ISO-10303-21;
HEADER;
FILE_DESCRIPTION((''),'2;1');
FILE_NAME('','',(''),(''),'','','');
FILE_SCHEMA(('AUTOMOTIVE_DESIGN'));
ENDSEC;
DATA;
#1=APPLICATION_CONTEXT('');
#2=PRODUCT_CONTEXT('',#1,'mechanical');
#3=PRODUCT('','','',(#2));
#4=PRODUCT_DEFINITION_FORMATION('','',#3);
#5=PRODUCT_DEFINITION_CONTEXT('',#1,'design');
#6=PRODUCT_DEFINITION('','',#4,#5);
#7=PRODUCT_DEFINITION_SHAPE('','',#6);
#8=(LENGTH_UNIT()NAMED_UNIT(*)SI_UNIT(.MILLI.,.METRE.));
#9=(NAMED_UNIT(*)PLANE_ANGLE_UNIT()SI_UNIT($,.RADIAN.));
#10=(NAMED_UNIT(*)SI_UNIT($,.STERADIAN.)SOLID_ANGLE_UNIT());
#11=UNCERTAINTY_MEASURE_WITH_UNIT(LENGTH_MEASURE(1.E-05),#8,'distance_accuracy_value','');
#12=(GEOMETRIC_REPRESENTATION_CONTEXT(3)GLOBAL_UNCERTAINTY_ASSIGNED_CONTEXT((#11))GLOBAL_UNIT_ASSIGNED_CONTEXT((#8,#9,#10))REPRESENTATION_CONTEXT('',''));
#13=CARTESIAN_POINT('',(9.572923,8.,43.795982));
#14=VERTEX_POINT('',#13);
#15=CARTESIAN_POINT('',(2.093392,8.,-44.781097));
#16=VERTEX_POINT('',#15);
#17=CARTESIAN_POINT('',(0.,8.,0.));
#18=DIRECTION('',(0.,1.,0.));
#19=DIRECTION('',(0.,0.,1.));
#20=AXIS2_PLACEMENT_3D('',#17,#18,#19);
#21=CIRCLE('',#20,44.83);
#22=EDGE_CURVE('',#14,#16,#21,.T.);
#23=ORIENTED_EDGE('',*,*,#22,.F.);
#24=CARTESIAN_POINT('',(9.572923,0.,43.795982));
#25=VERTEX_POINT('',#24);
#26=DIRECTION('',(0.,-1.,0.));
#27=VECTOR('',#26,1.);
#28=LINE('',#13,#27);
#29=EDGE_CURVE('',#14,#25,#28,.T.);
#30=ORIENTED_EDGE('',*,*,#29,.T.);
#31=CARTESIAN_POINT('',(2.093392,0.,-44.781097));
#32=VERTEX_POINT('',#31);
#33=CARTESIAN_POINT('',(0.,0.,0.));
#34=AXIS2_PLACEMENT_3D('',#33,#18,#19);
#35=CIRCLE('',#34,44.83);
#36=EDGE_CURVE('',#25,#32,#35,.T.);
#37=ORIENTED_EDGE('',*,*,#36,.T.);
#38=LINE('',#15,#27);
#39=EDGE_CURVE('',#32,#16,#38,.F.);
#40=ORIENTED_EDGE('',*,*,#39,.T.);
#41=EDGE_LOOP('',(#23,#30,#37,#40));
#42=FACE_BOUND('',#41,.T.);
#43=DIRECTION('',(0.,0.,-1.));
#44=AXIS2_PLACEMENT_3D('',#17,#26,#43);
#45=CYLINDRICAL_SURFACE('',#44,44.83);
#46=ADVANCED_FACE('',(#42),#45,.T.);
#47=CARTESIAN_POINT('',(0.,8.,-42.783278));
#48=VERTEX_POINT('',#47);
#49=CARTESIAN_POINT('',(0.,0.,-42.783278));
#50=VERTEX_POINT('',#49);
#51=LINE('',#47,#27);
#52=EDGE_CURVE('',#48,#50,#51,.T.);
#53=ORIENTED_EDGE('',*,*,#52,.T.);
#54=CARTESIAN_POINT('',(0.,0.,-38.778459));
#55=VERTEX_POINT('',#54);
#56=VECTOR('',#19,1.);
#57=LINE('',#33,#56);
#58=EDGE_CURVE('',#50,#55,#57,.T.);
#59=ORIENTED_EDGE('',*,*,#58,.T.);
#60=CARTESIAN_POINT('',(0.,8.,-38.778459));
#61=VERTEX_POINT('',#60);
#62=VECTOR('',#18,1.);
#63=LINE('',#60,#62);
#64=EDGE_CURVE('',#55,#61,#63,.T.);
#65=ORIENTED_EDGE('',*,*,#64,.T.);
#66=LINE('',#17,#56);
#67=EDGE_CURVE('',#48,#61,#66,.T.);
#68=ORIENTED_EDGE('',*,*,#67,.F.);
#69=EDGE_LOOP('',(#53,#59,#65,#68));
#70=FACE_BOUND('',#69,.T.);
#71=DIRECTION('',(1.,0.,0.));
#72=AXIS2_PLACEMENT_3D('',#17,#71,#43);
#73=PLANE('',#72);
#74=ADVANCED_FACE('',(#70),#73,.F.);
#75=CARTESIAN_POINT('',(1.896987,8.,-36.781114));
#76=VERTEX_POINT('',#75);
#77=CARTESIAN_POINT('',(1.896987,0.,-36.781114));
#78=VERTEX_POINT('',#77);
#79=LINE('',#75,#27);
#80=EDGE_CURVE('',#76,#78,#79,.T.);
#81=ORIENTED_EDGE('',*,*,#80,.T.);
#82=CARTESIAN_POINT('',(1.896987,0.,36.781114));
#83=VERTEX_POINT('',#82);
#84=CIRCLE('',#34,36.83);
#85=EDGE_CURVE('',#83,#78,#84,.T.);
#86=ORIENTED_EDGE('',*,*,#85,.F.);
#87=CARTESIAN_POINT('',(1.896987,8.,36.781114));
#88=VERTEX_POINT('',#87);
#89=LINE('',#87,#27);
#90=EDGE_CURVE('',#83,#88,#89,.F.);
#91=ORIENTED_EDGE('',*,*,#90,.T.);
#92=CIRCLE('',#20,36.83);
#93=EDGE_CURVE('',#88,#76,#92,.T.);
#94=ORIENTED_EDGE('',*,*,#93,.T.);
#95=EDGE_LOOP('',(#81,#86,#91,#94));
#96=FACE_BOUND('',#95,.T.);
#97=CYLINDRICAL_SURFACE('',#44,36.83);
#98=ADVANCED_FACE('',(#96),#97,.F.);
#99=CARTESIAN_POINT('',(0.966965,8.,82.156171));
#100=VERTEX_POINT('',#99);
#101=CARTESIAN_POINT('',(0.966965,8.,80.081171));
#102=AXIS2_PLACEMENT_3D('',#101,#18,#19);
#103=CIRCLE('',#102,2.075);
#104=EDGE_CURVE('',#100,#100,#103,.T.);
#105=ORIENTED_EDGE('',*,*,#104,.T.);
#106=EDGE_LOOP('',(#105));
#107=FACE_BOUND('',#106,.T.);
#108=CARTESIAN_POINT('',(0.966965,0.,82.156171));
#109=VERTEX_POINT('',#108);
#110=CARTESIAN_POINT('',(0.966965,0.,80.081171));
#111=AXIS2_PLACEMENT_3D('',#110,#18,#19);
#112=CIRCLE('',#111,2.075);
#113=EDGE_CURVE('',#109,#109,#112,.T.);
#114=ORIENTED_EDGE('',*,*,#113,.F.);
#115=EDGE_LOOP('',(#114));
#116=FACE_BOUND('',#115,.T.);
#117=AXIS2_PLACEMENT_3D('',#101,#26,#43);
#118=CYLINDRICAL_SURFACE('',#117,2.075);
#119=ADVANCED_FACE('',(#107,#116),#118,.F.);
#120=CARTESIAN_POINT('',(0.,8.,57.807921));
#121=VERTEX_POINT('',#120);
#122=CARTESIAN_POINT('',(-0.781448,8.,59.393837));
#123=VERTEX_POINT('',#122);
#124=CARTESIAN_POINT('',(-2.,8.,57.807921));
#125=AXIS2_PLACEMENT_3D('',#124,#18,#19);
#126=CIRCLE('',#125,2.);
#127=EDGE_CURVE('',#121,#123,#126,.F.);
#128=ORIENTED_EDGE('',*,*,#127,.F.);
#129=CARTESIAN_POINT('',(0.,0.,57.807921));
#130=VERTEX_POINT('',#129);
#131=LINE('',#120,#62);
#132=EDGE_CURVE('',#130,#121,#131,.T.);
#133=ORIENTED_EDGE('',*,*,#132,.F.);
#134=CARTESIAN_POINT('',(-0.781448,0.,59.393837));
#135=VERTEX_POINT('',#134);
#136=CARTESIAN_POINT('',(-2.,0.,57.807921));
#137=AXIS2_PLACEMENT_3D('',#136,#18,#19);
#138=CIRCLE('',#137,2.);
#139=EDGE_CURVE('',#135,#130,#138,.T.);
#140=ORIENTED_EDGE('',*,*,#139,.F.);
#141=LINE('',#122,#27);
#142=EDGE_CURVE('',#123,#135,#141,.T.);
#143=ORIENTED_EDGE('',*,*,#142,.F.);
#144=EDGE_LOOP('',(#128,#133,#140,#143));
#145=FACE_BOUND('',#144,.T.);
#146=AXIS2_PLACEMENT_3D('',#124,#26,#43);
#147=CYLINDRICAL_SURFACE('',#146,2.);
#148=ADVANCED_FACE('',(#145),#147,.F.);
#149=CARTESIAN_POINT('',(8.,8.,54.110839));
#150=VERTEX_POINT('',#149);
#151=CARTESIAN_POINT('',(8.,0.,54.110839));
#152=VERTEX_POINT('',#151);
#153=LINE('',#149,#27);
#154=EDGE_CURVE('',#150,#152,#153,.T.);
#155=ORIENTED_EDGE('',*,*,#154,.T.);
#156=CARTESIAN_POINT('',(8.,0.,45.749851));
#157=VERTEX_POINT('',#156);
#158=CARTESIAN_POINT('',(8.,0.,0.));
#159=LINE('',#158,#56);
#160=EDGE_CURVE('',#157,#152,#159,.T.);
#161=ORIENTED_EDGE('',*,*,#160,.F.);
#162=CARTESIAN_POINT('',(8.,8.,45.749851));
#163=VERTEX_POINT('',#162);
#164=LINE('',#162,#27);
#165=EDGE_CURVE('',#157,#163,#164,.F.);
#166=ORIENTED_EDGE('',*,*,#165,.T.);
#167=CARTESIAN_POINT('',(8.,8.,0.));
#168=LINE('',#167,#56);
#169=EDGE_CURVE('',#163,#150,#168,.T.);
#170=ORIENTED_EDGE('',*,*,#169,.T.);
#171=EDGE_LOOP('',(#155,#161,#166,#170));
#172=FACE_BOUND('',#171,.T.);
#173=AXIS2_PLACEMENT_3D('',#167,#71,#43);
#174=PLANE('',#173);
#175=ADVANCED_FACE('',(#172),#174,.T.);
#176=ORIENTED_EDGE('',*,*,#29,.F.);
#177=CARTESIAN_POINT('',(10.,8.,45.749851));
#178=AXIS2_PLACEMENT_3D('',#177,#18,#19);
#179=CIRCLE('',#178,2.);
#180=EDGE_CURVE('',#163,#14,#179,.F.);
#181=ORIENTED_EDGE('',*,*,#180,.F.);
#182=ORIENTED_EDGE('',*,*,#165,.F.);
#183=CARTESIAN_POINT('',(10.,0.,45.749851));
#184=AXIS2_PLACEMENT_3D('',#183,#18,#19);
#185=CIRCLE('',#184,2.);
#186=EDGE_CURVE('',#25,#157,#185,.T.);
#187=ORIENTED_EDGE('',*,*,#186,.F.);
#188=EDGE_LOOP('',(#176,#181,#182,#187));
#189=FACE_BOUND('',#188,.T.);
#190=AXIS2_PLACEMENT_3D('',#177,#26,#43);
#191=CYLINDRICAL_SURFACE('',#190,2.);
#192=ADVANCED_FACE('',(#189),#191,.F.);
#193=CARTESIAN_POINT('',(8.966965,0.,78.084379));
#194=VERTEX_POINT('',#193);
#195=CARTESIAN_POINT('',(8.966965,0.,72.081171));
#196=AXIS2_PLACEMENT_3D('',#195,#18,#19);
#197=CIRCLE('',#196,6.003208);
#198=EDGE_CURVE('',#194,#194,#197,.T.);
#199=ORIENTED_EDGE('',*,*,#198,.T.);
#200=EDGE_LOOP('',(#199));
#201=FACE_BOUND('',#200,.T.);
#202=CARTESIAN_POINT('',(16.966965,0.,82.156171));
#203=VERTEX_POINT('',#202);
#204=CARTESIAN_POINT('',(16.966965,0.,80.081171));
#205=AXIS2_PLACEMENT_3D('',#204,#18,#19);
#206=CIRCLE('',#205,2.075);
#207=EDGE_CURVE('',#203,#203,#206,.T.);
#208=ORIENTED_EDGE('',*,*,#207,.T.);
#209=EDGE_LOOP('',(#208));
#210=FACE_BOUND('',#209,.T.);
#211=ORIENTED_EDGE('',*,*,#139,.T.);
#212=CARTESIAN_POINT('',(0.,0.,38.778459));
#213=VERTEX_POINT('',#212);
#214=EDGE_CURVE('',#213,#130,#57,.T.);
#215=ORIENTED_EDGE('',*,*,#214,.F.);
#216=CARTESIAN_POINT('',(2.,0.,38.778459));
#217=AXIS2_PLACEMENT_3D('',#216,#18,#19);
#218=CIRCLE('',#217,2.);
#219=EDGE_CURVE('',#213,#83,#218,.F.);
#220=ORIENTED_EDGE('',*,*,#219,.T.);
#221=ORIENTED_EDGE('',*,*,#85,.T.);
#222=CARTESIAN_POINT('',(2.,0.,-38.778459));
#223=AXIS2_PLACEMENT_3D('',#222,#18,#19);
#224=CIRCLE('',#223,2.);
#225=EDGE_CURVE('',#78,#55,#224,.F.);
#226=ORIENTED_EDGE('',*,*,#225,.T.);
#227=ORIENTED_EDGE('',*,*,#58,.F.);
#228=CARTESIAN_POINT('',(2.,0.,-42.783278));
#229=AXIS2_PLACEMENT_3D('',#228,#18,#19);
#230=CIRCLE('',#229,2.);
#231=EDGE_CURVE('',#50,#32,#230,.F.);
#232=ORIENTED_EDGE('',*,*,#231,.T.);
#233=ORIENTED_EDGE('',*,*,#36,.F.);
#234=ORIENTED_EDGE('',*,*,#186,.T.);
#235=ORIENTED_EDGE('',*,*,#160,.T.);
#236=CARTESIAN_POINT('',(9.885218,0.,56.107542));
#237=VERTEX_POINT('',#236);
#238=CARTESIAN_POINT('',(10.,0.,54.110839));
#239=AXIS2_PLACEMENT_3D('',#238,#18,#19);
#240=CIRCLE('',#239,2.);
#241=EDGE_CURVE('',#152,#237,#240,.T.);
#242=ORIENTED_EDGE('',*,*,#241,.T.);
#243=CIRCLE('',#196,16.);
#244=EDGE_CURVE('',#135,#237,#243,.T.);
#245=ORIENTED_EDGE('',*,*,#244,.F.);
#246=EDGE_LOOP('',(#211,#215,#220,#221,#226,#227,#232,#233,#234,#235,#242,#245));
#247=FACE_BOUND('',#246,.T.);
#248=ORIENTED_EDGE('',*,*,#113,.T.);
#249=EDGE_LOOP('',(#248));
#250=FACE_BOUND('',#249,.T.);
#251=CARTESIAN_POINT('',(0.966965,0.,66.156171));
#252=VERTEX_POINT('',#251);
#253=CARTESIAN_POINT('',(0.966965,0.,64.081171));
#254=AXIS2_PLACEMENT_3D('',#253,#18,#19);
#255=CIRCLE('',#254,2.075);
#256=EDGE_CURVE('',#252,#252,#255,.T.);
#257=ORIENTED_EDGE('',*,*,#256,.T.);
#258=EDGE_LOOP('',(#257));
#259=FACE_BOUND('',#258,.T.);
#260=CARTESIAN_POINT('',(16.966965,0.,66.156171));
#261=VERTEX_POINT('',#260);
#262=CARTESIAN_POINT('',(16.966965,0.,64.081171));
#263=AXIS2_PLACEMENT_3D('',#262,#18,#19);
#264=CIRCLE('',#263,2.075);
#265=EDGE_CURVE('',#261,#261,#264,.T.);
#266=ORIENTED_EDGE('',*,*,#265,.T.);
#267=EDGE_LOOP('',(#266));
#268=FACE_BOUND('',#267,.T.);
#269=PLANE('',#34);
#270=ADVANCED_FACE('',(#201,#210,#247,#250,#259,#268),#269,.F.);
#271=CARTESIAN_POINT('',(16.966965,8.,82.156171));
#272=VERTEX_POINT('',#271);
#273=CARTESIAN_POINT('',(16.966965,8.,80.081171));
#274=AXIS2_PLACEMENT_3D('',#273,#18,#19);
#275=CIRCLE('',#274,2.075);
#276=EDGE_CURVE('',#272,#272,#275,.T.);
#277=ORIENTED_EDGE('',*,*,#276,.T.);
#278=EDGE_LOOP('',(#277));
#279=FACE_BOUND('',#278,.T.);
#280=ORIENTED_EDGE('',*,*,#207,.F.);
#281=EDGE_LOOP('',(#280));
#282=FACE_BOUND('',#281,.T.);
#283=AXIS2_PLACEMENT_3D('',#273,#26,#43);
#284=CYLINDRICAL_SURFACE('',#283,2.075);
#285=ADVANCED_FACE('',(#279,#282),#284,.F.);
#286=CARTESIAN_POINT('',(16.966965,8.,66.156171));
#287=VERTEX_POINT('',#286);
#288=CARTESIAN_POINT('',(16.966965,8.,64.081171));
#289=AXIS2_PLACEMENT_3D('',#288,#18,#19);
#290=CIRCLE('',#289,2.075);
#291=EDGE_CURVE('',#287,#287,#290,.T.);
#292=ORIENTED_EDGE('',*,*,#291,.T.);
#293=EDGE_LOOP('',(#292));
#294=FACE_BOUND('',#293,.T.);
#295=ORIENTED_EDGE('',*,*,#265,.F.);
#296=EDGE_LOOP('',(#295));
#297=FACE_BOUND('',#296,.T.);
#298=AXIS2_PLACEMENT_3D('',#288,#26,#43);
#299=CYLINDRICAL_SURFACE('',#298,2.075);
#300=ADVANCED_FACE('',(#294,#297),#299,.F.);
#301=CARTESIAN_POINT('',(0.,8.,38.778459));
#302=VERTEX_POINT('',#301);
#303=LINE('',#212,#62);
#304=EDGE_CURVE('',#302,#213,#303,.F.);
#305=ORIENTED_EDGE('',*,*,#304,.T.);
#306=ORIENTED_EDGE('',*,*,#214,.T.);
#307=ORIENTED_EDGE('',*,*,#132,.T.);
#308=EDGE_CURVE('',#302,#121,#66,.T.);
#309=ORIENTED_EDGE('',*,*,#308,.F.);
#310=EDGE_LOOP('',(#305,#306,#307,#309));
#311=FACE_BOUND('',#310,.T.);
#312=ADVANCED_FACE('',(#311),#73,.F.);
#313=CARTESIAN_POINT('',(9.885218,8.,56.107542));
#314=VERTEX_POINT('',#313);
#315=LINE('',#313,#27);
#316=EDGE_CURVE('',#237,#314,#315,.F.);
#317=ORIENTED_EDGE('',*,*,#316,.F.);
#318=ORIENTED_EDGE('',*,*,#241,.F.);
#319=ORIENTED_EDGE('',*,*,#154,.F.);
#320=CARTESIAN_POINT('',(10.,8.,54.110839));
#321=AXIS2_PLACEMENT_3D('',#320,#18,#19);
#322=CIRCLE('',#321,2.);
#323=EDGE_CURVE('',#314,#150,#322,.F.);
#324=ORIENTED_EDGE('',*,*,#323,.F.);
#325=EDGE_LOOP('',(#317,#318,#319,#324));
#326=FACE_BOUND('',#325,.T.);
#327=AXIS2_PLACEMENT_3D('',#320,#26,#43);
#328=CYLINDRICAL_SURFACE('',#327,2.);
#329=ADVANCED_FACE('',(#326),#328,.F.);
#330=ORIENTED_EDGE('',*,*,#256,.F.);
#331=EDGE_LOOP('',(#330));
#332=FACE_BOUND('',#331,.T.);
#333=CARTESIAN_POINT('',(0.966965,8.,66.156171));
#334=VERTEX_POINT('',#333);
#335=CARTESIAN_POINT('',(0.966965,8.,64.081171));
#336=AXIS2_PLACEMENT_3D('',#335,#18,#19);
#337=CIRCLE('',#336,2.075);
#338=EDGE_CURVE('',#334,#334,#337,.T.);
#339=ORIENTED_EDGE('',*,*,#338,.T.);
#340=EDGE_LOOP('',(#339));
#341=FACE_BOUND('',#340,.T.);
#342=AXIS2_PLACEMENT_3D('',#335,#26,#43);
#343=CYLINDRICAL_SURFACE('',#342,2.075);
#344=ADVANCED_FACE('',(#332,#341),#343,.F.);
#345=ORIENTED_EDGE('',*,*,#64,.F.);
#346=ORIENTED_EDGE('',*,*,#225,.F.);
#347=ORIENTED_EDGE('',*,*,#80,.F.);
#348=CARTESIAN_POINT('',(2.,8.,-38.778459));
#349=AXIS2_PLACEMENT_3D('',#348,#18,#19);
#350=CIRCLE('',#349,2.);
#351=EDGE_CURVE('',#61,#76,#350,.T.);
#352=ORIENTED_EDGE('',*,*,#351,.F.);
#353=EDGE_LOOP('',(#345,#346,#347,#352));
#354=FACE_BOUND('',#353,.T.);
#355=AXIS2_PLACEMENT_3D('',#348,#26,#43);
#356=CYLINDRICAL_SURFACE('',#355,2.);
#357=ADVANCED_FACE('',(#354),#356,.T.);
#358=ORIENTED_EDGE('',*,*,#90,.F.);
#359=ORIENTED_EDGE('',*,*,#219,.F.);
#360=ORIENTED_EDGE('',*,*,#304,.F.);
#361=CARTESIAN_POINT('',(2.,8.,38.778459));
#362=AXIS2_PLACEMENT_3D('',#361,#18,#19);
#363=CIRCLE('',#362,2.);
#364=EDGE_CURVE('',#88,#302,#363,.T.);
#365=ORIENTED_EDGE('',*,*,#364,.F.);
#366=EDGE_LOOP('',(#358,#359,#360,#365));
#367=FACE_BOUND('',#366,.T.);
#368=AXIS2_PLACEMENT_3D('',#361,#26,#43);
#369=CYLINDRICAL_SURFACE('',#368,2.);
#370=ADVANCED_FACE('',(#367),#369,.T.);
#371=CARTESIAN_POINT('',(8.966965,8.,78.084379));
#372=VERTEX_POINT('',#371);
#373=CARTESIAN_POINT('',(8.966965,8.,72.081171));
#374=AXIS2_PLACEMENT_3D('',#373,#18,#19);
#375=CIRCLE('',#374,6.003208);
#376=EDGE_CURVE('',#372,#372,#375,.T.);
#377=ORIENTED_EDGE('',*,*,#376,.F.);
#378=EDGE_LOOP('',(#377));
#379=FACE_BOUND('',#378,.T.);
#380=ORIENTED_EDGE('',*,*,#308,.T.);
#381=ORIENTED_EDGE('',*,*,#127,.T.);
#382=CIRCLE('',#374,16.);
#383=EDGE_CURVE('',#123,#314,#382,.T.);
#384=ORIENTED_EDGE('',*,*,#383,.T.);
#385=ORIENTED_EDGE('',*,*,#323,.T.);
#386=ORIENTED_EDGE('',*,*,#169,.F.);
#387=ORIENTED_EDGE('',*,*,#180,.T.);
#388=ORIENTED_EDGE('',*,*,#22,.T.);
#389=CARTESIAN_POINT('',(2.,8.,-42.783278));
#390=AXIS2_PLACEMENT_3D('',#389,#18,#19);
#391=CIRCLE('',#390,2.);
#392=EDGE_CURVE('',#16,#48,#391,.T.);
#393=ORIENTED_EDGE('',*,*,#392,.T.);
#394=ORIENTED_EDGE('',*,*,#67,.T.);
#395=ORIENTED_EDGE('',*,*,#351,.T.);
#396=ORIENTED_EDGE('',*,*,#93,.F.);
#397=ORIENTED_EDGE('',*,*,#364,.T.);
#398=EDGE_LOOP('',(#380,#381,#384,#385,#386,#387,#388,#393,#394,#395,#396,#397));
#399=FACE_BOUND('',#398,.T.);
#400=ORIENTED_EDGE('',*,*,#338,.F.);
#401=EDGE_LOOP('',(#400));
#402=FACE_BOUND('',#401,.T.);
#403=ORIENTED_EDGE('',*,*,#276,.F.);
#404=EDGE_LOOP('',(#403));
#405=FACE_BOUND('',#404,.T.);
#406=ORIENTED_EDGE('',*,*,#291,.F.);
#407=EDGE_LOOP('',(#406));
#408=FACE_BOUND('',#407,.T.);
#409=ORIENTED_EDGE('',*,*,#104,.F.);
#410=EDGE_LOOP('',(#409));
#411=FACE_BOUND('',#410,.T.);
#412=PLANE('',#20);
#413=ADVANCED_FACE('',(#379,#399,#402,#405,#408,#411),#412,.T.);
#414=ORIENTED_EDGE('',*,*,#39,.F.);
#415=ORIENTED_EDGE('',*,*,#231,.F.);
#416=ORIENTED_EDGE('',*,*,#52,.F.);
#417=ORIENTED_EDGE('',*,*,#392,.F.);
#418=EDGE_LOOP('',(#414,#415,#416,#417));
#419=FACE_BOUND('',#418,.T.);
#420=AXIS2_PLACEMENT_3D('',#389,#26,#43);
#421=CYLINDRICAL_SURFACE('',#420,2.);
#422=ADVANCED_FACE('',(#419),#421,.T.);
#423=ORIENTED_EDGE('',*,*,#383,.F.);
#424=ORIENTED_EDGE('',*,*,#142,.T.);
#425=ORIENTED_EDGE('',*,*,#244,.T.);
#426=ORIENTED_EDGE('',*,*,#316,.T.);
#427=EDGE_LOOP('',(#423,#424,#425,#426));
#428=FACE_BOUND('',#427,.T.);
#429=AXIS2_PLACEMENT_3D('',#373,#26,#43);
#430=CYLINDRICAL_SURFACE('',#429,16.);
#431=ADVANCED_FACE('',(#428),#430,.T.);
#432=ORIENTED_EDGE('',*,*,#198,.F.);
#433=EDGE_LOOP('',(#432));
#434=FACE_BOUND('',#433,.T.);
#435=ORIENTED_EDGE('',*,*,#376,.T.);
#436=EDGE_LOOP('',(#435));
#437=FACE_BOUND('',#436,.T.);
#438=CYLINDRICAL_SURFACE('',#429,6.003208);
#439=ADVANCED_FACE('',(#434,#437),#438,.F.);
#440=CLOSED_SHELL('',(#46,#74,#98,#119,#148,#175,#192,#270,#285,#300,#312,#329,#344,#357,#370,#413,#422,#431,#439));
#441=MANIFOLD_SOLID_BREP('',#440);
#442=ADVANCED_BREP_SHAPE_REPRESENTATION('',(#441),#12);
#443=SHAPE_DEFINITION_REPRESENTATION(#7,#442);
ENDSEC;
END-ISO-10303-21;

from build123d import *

# Parameters (mm, degrees)
SKETCH1_R           = 2.075
SKETCH1_R_2         = 6.003208263
BOSS_EXTRUDE2_DEPTH = 8
FILLET1_R           = 2


with BuildPart() as part:
    # Sketch1 → Boss-Extrude2 (new body)
    with BuildSketch(Plane(origin=(0, 0, 0), x_dir=(1, 0, 0), z_dir=(0, 1, 0))):
        with BuildLine():
            Line((0, 44.83), (0, 36.83))
            ThreePointArc((0, 36.83), (36.83, 0), (0, -36.83))
            Line((0, -36.83), (0, -46.83))
            Line((0, -46.83), (0, -58.83))
            ThreePointArc((0, -58.83), (14.116701064, -87.229775601), (8, -56.110417137))
            Line((8, -56.110417137), (8, -44.110417137))
            ThreePointArc((8, -44.110417137), (44.649741882, 4.016148637), (0, 44.83))
        make_face()
        with Locations(Location((0.96696537, -64.081170969, 0), (0, 0, 270))):
            Circle(SKETCH1_R, mode=Mode.SUBTRACT)
        with Locations(Location((16.96696537, -64.081170969, 0), (0, 0, 270))):
            Circle(SKETCH1_R, mode=Mode.SUBTRACT)
        with Locations(Location((16.96696537, -80.081170969, 0), (0, 0, 270))):
            Circle(SKETCH1_R, mode=Mode.SUBTRACT)
        with Locations(Location((0.96696537, -80.081170969, 0), (0, 0, 270))):
            Circle(SKETCH1_R, mode=Mode.SUBTRACT)
        with Locations(Location((8.96696537, -72.081170969, 0), (0, 0, 270))):
            Circle(SKETCH1_R_2, mode=Mode.SUBTRACT)
    extrude(amount=BOSS_EXTRUDE2_DEPTH)

    # Fillet1
    fillet1_edges = [part.edges().sort_by_distance(p)[0] for p in [
        (0, 4, 58.83),
        (0, 4, 36.83),
        (0, 4, -36.83),
        (0, 4, -44.83),
        (8, 4, 44.110417137),
        (8, 4, 56.110417137),
    ]]
    fillet(fillet1_edges, radius=FILLET1_R)


solid = part.part
